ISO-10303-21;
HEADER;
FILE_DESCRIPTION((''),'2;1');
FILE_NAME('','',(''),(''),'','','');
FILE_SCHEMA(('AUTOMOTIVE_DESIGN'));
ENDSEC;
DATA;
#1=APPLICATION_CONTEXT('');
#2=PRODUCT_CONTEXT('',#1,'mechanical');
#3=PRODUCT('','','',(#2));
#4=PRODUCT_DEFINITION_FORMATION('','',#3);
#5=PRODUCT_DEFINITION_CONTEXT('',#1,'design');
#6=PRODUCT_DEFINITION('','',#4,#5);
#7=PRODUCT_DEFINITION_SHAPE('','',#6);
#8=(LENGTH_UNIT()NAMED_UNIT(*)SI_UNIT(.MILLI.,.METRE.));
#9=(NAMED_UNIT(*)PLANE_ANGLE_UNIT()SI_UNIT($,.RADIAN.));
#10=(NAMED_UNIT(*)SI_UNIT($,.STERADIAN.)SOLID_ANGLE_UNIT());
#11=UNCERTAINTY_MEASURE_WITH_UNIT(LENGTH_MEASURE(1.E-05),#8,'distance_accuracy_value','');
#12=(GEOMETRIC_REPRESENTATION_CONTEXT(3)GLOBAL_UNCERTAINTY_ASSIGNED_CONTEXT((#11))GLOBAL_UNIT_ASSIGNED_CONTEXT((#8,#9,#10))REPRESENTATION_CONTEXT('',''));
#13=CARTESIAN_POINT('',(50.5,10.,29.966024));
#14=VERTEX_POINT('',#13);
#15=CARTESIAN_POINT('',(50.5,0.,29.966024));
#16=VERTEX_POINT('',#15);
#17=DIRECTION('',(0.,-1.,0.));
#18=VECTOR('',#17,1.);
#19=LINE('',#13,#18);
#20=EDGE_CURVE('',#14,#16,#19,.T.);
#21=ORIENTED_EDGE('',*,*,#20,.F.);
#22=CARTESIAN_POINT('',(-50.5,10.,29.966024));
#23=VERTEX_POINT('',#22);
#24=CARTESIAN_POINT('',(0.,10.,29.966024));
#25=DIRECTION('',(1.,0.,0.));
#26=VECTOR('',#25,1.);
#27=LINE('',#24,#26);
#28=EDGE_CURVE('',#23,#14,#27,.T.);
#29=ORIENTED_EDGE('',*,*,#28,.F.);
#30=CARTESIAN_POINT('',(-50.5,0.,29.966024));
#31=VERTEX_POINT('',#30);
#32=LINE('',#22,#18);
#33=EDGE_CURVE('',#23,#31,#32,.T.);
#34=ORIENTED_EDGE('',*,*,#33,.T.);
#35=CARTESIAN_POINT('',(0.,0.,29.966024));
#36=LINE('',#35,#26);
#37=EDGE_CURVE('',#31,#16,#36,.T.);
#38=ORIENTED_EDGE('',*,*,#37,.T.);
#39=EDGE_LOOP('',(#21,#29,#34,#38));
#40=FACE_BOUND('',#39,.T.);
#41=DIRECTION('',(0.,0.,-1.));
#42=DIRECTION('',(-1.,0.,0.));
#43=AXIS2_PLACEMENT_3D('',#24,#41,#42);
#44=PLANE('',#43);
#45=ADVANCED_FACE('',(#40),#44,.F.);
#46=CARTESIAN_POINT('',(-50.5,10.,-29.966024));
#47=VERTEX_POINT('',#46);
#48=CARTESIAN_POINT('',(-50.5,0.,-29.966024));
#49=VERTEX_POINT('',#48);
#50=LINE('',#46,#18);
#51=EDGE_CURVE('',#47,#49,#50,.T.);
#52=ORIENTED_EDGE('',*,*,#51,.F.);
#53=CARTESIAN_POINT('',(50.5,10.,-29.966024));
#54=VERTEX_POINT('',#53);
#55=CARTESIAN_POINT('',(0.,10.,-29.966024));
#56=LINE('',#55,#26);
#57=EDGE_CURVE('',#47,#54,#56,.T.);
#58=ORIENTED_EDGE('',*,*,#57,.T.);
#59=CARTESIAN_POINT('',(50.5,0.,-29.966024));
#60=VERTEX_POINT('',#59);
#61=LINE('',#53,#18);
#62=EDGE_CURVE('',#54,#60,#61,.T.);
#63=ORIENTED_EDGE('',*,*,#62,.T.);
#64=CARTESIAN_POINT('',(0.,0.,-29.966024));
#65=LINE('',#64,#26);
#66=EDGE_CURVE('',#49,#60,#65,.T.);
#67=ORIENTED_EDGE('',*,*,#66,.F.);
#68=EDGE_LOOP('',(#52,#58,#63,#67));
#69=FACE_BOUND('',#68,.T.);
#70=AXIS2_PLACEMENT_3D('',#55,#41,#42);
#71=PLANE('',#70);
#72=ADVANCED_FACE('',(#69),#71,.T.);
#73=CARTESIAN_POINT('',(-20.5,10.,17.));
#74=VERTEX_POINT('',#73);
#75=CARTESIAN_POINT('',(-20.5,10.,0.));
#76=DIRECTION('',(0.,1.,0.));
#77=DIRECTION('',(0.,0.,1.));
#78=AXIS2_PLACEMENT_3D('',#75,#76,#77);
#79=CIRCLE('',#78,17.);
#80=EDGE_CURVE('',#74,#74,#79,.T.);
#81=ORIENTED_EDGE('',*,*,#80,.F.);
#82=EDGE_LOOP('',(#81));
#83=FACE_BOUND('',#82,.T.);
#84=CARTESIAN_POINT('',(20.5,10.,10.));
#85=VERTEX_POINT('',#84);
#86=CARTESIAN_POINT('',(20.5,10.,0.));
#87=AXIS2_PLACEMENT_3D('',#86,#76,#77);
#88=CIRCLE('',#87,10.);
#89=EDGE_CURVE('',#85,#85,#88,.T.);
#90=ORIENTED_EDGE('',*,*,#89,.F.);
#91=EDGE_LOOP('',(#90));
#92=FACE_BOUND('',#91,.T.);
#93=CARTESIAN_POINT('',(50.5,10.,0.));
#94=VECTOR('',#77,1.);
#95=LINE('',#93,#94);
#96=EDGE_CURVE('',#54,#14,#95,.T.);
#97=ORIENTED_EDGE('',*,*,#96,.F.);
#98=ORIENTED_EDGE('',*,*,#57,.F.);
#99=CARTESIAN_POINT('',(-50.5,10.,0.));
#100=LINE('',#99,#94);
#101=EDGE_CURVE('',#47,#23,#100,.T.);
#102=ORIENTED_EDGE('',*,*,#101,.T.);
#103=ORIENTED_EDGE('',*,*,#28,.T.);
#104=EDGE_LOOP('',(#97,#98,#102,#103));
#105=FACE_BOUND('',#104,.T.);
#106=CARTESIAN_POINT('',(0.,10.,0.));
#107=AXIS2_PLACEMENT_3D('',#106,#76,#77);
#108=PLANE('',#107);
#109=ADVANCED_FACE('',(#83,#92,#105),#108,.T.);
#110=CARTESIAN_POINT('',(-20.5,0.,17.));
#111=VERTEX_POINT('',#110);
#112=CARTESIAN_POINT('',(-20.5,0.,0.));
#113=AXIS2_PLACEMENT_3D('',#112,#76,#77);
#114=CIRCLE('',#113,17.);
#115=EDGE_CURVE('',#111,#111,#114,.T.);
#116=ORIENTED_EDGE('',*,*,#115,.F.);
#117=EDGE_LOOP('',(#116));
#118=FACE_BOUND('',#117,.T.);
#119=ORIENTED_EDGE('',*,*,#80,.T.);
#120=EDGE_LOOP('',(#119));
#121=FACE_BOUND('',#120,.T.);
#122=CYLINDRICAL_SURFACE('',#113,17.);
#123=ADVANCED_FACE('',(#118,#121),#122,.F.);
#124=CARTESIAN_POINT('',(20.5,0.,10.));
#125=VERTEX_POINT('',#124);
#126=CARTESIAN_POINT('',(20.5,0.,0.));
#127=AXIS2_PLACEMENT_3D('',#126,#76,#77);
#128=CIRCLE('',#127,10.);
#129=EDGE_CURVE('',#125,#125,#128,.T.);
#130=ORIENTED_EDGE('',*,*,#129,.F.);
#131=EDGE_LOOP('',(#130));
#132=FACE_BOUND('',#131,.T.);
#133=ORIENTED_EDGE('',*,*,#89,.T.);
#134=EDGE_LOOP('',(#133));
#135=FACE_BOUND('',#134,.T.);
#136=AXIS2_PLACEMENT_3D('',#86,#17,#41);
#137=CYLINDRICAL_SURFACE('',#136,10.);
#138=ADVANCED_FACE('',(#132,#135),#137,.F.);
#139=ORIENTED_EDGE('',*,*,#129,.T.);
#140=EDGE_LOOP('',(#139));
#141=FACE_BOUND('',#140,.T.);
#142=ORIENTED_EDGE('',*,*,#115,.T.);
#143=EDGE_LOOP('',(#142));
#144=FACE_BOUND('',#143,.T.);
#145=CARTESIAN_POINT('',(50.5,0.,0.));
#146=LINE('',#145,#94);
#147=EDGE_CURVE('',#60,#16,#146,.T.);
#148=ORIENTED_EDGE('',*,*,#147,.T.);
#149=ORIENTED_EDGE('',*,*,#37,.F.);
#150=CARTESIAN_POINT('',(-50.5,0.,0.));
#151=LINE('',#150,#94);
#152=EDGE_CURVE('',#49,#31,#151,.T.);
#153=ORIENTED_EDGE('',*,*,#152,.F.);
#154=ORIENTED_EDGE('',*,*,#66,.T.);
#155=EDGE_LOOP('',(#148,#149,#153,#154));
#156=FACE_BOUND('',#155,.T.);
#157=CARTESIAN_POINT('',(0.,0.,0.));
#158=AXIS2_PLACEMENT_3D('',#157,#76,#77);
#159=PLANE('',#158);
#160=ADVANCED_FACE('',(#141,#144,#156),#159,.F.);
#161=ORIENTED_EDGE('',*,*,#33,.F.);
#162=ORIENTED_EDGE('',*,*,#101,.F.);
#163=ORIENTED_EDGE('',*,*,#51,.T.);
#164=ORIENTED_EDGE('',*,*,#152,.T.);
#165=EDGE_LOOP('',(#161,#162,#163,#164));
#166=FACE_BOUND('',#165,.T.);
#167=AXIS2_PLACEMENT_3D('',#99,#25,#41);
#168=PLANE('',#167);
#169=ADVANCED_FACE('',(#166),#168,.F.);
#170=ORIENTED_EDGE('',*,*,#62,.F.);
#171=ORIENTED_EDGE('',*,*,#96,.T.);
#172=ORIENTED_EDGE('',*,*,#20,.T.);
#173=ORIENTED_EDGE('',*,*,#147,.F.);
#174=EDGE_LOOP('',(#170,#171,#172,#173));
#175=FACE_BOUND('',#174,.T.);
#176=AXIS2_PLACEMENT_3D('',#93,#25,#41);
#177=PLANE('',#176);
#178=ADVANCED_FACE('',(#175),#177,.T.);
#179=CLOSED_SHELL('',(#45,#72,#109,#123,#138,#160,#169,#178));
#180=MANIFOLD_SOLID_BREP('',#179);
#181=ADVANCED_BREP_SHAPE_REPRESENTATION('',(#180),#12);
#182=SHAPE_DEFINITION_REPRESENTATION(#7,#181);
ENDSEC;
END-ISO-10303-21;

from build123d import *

# Parameters (mm, degrees)
SKETCH1_W           = 101
SKETCH1_H           = 59.932047928
SKETCH1_R           = 11
SKETCH1_R_2         = 10
BOSS_EXTRUDE1_DEPTH = 10
SKETCH2_R           = 17
CUT_EXTRUDE1_DEPTH  = 10


with BuildPart() as part:
    # Sketch1 → Boss-Extrude1 (new body)
    with BuildSketch(Plane(origin=(0, 0, 0), x_dir=(1, 0, 0), z_dir=(0, 1, 0))):
        Rectangle(SKETCH1_W, SKETCH1_H)
        with Locations(Location((-20.5, 0, 0), (0, 0, 270))):
            Circle(SKETCH1_R, mode=Mode.SUBTRACT)
        with Locations(Location((20.5, 0, 0), (0, 0, 270))):
            Circle(SKETCH1_R_2, mode=Mode.SUBTRACT)
    extrude(amount=BOSS_EXTRUDE1_DEPTH)

    # Sketch2 → Cut-Extrude1 (cut)
    with BuildSketch(Plane(origin=(0, 10, 0), x_dir=(1, 0, 0), z_dir=(0, 1, 0))):
        with Locations(Location((-20.5, 0, 0), (0, 0, 270))):
            Circle(SKETCH2_R)
    extrude(amount=-CUT_EXTRUDE1_DEPTH, mode=Mode.SUBTRACT)


solid = part.part
